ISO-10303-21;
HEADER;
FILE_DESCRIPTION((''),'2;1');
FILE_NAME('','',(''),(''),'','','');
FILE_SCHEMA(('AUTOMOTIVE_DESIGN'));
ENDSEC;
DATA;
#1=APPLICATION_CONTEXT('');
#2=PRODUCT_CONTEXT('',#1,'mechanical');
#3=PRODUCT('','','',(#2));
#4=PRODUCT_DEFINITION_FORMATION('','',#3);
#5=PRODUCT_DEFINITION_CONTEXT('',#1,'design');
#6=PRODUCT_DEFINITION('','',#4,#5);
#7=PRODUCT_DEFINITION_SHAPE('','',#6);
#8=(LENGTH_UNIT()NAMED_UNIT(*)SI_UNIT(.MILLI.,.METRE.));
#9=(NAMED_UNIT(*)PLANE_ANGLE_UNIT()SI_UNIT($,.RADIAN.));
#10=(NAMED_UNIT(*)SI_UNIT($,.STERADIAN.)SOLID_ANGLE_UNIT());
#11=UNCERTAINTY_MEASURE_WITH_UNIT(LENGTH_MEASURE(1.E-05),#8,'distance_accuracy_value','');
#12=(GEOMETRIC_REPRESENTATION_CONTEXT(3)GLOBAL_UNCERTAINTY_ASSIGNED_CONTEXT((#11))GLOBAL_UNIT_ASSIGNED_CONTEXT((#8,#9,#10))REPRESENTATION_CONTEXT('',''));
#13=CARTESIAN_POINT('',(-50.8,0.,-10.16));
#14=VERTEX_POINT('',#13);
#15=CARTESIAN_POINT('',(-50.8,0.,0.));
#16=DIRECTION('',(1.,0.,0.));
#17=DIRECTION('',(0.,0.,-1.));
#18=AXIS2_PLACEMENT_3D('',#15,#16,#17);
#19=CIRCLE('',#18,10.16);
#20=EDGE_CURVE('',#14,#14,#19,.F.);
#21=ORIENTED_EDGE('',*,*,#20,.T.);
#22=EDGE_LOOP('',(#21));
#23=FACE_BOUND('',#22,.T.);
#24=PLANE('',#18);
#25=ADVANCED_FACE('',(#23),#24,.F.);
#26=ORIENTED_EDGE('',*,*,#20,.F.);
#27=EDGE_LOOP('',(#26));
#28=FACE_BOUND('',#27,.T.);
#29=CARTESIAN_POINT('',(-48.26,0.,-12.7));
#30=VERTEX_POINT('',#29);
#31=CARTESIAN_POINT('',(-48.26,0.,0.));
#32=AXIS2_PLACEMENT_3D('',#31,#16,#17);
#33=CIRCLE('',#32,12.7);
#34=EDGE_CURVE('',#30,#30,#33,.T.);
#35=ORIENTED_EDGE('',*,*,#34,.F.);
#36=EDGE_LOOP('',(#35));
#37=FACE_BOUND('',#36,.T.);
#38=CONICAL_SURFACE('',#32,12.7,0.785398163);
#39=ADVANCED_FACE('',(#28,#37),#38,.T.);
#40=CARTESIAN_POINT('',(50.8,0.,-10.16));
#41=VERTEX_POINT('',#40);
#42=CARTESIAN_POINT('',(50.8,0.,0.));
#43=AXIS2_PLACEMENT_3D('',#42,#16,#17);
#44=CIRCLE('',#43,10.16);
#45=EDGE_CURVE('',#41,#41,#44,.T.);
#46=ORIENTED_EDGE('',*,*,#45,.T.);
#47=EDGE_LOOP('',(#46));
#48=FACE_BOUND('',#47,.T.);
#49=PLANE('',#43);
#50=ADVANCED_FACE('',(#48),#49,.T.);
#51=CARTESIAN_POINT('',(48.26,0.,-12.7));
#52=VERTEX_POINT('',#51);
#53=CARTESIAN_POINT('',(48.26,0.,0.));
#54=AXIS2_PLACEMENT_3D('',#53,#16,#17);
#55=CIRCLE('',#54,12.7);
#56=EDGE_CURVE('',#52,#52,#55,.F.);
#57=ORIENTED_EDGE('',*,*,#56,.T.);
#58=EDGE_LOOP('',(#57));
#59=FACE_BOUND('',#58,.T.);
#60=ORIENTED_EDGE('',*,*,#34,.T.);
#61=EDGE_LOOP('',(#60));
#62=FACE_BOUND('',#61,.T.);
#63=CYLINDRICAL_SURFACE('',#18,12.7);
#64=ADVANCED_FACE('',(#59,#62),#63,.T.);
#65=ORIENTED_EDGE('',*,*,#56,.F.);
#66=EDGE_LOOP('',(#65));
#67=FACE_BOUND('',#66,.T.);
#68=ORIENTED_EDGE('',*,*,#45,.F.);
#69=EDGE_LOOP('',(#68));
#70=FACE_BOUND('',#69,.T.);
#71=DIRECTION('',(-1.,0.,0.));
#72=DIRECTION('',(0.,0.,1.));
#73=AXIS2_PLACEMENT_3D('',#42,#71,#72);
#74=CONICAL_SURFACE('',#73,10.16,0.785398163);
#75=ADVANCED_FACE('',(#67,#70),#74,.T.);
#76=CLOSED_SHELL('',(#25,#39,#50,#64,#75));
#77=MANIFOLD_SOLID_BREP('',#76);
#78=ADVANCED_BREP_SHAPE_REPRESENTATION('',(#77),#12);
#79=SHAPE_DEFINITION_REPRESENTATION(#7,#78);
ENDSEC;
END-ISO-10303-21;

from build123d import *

# Parameters (mm, degrees)
EXTRUDE1_DEPTH      = 50.8
EXTRUDE1_DEPTH_BACK = 50.8
SKETCH2_R           = 12.7
CHAMFER1_SIZE       = 2.54


with BuildPart() as part:
    # Sketch2 → Extrude1 (new, two sides: drawn at the far end of the back side and taken through both)
    with BuildSketch(Plane(origin=(0, 0, 0), x_dir=(0, 0, -1), z_dir=(1, 0, 0)).offset(-EXTRUDE1_DEPTH_BACK)):
        Circle(SKETCH2_R)
    extrude(amount=EXTRUDE1_DEPTH + EXTRUDE1_DEPTH_BACK)

    # Chamfer1
    chamfer1_edges = [part.edges().sort_by_distance(p)[0] for p in [
        (-50.8, 0, 12.7),
        (50.8, 0, 12.7),
    ]]
    chamfer(chamfer1_edges, length=CHAMFER1_SIZE)


solid = part.part
